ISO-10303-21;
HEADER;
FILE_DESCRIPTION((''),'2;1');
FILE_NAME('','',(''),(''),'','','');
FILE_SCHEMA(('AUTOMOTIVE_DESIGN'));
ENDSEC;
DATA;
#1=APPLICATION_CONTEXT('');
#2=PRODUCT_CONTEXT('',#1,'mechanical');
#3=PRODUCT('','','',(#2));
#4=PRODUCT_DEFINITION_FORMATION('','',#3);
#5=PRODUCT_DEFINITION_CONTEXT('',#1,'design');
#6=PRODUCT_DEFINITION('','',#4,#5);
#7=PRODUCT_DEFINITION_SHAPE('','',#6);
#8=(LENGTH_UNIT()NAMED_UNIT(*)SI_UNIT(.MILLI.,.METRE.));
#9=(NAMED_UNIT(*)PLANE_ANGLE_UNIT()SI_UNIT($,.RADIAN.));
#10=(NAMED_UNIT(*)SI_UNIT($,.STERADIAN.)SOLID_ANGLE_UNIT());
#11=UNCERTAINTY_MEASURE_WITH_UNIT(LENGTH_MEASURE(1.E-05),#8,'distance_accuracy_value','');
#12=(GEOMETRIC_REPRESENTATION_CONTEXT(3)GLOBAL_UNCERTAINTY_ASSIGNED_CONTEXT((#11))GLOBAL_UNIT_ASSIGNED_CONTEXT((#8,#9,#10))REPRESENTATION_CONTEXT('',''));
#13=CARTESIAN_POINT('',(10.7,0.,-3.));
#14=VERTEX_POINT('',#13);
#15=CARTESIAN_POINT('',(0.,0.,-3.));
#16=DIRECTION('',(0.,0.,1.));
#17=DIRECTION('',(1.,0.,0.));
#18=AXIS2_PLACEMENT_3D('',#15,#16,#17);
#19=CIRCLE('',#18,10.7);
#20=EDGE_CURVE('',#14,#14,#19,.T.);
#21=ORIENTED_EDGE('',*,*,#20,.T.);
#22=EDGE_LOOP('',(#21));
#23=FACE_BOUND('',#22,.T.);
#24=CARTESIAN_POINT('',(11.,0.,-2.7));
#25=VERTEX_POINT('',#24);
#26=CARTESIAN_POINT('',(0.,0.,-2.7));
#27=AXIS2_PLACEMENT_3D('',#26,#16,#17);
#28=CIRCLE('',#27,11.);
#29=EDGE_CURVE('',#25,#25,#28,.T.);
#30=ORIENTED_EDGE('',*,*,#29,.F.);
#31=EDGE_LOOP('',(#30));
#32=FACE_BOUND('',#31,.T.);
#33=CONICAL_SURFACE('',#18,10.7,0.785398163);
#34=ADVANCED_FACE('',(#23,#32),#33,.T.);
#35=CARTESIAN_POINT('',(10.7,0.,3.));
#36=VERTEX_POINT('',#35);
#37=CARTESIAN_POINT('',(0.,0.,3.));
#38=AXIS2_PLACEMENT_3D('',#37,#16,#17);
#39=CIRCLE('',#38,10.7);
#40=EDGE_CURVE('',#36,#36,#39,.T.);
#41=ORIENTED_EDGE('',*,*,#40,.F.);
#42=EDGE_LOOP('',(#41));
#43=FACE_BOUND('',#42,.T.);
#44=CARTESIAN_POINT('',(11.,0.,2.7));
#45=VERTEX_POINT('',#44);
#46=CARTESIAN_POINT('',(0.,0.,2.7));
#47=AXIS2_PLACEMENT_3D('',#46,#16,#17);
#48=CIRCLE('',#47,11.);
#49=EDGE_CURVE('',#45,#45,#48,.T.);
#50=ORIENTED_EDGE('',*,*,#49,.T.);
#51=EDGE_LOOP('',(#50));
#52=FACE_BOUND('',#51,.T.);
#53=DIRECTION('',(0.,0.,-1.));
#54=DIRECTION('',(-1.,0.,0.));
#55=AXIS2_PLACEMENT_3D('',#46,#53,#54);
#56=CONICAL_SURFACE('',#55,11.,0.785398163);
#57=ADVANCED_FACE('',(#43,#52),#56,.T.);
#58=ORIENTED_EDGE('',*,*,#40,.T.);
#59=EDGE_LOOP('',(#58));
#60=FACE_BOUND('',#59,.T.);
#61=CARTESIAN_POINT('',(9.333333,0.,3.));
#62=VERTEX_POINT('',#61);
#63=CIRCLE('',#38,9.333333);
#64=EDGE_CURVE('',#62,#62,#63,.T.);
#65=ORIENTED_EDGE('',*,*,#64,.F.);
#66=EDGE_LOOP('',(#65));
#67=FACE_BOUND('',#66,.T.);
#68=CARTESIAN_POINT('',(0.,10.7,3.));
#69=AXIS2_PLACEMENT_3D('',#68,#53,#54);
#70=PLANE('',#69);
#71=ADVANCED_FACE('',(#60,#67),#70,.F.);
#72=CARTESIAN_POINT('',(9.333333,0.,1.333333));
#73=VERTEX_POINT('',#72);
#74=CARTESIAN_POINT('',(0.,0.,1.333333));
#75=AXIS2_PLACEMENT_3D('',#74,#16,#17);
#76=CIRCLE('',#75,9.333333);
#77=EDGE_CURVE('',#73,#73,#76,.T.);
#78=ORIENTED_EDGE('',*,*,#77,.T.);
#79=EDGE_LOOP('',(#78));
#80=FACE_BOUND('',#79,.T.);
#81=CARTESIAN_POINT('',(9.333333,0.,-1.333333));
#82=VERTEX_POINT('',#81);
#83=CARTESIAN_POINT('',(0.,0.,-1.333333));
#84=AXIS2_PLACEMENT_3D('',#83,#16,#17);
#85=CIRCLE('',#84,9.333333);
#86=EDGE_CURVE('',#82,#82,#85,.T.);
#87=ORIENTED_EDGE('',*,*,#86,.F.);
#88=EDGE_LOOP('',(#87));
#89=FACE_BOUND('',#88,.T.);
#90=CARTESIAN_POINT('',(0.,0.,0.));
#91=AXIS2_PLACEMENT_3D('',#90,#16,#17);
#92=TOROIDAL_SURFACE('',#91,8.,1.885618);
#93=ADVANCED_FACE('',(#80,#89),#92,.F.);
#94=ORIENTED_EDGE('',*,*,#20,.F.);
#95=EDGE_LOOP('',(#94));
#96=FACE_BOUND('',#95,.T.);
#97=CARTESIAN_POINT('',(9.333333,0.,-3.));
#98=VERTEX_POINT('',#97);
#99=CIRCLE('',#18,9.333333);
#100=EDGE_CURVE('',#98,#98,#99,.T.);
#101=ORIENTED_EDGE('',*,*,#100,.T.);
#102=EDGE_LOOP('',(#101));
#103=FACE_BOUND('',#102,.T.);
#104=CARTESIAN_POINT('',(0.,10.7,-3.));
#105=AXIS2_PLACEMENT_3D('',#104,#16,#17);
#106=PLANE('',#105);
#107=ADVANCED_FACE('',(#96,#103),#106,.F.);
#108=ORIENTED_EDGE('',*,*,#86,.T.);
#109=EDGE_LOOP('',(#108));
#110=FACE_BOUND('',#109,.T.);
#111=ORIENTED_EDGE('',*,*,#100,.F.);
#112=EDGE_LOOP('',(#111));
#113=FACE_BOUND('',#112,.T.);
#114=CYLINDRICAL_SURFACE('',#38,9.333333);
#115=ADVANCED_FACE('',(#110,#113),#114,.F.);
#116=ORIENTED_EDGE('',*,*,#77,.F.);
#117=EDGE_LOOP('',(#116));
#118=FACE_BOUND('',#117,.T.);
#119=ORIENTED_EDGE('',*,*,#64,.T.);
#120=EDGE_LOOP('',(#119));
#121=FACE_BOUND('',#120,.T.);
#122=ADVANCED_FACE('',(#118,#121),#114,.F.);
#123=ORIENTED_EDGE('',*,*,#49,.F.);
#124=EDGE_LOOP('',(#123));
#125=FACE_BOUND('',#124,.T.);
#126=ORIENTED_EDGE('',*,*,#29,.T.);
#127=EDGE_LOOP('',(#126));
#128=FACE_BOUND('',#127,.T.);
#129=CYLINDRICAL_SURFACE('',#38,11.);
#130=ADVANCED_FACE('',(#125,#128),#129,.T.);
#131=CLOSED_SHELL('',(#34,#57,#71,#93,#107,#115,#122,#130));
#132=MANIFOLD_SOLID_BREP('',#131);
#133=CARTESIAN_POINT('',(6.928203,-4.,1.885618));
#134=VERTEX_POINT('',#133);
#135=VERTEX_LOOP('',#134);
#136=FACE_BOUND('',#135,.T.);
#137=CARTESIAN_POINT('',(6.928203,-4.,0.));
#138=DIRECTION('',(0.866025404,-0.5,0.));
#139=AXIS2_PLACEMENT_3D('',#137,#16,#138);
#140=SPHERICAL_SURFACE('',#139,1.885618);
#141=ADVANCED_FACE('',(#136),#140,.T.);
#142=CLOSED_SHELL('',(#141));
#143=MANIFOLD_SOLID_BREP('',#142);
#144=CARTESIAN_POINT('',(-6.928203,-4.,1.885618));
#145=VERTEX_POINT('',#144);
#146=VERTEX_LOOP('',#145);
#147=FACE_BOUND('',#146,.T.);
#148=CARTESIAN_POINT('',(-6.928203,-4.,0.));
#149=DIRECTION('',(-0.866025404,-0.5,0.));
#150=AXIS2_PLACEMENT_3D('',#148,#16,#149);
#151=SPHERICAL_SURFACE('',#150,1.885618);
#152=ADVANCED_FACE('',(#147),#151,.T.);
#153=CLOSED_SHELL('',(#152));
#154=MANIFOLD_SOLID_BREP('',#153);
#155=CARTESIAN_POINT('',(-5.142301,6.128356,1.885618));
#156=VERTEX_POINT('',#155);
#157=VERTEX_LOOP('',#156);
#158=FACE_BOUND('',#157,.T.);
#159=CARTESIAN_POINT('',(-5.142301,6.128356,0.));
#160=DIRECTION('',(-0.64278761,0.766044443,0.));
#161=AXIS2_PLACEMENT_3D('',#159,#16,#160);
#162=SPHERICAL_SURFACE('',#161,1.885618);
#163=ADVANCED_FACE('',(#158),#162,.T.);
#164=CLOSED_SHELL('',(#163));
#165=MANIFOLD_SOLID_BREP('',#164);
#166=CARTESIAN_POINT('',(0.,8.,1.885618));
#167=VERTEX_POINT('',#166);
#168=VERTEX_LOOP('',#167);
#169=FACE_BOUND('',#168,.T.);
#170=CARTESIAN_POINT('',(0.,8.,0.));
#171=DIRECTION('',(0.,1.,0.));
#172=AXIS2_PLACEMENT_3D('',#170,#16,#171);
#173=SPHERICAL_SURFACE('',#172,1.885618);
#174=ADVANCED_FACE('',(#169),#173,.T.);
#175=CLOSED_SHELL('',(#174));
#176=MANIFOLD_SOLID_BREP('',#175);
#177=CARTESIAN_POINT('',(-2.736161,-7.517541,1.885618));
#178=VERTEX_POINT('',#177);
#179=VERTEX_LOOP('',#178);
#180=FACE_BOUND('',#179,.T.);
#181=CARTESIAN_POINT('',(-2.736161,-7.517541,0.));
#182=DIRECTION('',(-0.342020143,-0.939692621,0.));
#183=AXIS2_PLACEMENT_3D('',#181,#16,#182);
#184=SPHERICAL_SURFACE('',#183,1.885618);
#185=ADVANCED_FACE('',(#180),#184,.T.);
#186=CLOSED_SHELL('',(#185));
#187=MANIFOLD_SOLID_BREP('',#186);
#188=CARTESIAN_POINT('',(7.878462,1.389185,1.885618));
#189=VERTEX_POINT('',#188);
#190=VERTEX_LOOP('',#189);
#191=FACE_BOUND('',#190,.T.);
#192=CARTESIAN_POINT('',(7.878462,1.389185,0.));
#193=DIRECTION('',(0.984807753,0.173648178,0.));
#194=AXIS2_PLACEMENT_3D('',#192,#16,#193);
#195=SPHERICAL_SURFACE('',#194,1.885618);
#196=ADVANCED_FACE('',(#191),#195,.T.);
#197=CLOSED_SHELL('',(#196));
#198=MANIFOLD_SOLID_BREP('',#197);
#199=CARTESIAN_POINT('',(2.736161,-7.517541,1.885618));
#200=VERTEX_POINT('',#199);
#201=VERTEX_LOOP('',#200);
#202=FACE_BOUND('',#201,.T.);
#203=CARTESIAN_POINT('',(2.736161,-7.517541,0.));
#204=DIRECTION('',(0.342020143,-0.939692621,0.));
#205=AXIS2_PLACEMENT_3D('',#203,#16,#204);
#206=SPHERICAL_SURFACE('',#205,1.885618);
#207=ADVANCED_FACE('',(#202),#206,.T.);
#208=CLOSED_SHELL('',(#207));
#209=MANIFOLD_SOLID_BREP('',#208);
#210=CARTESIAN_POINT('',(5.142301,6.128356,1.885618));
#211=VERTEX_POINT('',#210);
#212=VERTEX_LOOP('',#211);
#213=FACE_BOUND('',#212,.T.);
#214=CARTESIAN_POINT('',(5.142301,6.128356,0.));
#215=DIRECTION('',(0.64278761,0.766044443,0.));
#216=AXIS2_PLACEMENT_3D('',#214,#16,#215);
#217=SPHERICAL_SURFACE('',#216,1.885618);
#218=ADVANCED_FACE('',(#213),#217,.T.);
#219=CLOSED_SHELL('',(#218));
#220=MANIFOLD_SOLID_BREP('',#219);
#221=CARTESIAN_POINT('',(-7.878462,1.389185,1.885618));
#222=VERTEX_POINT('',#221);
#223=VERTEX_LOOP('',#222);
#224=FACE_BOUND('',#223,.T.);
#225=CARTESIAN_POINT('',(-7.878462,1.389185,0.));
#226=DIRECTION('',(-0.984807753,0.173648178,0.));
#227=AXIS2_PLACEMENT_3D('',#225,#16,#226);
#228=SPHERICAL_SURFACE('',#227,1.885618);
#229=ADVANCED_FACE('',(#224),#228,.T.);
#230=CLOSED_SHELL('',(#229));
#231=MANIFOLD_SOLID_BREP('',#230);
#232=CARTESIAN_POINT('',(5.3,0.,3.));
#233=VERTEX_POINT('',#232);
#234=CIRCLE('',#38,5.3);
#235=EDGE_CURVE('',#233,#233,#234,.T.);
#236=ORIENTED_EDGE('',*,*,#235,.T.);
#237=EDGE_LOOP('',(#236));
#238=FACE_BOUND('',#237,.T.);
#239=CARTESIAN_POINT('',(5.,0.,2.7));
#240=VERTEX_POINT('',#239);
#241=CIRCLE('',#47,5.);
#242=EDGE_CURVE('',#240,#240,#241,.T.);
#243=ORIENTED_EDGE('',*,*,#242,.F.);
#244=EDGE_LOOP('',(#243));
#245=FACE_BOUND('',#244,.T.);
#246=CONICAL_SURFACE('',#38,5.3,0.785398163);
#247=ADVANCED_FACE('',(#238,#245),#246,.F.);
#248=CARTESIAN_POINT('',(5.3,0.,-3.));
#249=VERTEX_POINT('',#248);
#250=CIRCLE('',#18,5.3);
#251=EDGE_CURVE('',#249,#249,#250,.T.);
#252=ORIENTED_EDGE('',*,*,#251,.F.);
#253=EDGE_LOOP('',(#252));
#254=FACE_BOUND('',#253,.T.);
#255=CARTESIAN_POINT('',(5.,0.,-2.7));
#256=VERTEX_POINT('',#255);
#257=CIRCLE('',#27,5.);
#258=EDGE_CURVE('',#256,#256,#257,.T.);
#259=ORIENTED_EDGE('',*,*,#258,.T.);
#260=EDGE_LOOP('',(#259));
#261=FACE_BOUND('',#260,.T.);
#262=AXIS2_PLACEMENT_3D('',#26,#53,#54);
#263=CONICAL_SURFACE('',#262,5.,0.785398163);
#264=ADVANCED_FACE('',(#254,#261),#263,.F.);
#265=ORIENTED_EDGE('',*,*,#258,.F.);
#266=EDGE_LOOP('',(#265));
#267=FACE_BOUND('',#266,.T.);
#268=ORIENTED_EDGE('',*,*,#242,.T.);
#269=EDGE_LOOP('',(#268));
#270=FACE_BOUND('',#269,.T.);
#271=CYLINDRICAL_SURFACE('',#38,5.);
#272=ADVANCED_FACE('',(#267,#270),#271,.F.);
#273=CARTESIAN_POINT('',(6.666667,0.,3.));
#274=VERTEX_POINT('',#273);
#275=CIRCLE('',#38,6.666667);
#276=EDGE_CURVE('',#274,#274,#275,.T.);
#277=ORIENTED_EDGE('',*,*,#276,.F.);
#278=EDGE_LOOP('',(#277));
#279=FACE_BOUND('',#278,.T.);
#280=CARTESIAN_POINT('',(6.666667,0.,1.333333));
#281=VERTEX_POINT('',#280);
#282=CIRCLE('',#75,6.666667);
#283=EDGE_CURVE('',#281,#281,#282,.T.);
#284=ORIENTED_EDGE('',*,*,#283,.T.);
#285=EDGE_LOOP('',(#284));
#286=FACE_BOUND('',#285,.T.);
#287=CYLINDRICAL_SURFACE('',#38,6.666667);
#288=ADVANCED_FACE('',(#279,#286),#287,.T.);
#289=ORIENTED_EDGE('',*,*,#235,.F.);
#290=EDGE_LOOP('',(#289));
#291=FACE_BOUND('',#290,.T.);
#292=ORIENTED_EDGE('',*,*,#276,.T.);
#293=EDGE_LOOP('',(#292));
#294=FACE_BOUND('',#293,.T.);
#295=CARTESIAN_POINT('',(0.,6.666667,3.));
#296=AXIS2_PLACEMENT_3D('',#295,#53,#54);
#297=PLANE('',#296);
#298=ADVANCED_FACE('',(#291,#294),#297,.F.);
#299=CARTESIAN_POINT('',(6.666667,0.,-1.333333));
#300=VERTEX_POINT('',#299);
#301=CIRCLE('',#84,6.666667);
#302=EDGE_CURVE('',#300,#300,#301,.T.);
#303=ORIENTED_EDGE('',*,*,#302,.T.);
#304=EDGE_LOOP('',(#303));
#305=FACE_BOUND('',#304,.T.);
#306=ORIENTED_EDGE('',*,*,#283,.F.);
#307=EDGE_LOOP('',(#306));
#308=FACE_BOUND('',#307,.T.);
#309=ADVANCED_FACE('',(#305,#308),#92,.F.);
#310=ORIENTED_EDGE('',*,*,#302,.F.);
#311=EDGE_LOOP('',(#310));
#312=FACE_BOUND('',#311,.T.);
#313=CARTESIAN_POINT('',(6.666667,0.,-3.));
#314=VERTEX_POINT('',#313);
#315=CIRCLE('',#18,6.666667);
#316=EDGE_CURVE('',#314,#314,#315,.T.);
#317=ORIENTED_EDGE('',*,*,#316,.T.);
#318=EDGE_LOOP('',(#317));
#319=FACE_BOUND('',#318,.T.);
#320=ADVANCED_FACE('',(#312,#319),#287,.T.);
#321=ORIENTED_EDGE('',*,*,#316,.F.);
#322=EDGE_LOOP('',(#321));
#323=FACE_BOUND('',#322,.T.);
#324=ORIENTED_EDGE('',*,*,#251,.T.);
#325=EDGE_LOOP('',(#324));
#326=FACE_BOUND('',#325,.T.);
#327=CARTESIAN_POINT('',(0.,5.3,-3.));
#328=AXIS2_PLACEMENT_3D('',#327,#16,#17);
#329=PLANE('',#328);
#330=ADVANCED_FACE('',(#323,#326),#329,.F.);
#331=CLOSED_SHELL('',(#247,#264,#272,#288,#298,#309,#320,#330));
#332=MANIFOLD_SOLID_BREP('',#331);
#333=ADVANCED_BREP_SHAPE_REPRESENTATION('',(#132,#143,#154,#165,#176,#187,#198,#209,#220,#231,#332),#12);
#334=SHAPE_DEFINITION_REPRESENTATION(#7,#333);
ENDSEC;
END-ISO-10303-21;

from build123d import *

# Parameters (mm, degrees)
CIRPATTERN1_COUNT = 9


with BuildPart() as part:
    # Sketch5 → Revolve1 (revolve)
    with BuildSketch(Plane(origin=(0, 0, 0), x_dir=(0, 0, -1), z_dir=(1, 0, 0))):
        with BuildLine():
            Line((2.7, 11), (-2.7, 11))
            Line((-2.7, 11), (-3, 10.7))
            Line((-3, 10.7), (-3, 9.333333333))
            Line((-3, 9.333333333), (-1.333333333, 9.333333333))
            ThreePointArc((-1.333333333, 9.333333333), (0, 9.885618083), (1.333333333, 9.333333333))
            Line((1.333333333, 9.333333333), (3, 9.333333333))
            Line((3, 9.333333333), (3, 10.7))
            Line((3, 10.7), (2.7, 11))
        make_face()
    revolve(axis=Axis((0, 0, 3), (0, 0, -1)))


with BuildPart() as body_2:
    # Sketch3 → Revolve3 (revolve)
    with BuildSketch(Plane(origin=(0, 0, 0), x_dir=(0, 0, -1), z_dir=(1, 0, 0))):
        with BuildLine():
            Line((-3, 6.666666667), (-1.333333333, 6.666666667))
            ThreePointArc((-1.333333333, 6.666666667), (0, 6.114381917), (1.333333333, 6.666666667))
            Line((1.333333333, 6.666666667), (3, 6.666666667))
            Line((3, 6.666666667), (3, 5.3))
            Line((3, 5.3), (2.7, 5))
            Line((2.7, 5), (-2.7, 5))
            Line((-2.7, 5), (-3, 5.3))
            Line((-3, 5.3), (-3, 6.666666667))
        make_face()
    revolve(axis=Axis((0, 0, 3), (0, 0, -1)))


with BuildPart() as body_3:
    # Sketch4 → Revolve4 (revolve)
    with BuildSketch(Plane(origin=(0, 0, 0), x_dir=(0, 0, -1), z_dir=(1, 0, 0))):
        with BuildLine():
            Line((-1.885618083, 8), (1.885618083, 8))
            ThreePointArc((1.885618083, 8), (0, 9.885618083), (-1.885618083, 8))
        make_face()
    revolve(axis=Axis((0, 8, 1.885618083), (0, 0, -1)))


with BuildPart() as cirpattern1_1:
    # CirPattern1: pattern copy
    add(body_3.part.rotate(Axis((0, 0, 0), (0, 0, 1)), 1 * 360 / CIRPATTERN1_COUNT))


with BuildPart() as cirpattern1_2:
    # CirPattern1: pattern copy
    add(body_3.part.rotate(Axis((0, 0, 0), (0, 0, 1)), 2 * 360 / CIRPATTERN1_COUNT))


with BuildPart() as cirpattern1_3:
    # CirPattern1: pattern copy
    add(body_3.part.rotate(Axis((0, 0, 0), (0, 0, 1)), 3 * 360 / CIRPATTERN1_COUNT))


with BuildPart() as cirpattern1_4:
    # CirPattern1: pattern copy
    add(body_3.part.rotate(Axis((0, 0, 0), (0, 0, 1)), 4 * 360 / CIRPATTERN1_COUNT))


with BuildPart() as cirpattern1_5:
    # CirPattern1: pattern copy
    add(body_3.part.rotate(Axis((0, 0, 0), (0, 0, 1)), 5 * 360 / CIRPATTERN1_COUNT))


with BuildPart() as cirpattern1_6:
    # CirPattern1: pattern copy
    add(body_3.part.rotate(Axis((0, 0, 0), (0, 0, 1)), 6 * 360 / CIRPATTERN1_COUNT))


with BuildPart() as cirpattern1_7:
    # CirPattern1: pattern copy
    add(body_3.part.rotate(Axis((0, 0, 0), (0, 0, 1)), 7 * 360 / CIRPATTERN1_COUNT))


with BuildPart() as cirpattern1_8:
    # CirPattern1: pattern copy
    add(body_3.part.rotate(Axis((0, 0, 0), (0, 0, 1)), 8 * 360 / CIRPATTERN1_COUNT))


solid = Compound([part.part, body_2.part, body_3.part, cirpattern1_1.part, cirpattern1_2.part, cirpattern1_3.part, cirpattern1_4.part, cirpattern1_5.part, cirpattern1_6.part, cirpattern1_7.part, cirpattern1_8.part])
